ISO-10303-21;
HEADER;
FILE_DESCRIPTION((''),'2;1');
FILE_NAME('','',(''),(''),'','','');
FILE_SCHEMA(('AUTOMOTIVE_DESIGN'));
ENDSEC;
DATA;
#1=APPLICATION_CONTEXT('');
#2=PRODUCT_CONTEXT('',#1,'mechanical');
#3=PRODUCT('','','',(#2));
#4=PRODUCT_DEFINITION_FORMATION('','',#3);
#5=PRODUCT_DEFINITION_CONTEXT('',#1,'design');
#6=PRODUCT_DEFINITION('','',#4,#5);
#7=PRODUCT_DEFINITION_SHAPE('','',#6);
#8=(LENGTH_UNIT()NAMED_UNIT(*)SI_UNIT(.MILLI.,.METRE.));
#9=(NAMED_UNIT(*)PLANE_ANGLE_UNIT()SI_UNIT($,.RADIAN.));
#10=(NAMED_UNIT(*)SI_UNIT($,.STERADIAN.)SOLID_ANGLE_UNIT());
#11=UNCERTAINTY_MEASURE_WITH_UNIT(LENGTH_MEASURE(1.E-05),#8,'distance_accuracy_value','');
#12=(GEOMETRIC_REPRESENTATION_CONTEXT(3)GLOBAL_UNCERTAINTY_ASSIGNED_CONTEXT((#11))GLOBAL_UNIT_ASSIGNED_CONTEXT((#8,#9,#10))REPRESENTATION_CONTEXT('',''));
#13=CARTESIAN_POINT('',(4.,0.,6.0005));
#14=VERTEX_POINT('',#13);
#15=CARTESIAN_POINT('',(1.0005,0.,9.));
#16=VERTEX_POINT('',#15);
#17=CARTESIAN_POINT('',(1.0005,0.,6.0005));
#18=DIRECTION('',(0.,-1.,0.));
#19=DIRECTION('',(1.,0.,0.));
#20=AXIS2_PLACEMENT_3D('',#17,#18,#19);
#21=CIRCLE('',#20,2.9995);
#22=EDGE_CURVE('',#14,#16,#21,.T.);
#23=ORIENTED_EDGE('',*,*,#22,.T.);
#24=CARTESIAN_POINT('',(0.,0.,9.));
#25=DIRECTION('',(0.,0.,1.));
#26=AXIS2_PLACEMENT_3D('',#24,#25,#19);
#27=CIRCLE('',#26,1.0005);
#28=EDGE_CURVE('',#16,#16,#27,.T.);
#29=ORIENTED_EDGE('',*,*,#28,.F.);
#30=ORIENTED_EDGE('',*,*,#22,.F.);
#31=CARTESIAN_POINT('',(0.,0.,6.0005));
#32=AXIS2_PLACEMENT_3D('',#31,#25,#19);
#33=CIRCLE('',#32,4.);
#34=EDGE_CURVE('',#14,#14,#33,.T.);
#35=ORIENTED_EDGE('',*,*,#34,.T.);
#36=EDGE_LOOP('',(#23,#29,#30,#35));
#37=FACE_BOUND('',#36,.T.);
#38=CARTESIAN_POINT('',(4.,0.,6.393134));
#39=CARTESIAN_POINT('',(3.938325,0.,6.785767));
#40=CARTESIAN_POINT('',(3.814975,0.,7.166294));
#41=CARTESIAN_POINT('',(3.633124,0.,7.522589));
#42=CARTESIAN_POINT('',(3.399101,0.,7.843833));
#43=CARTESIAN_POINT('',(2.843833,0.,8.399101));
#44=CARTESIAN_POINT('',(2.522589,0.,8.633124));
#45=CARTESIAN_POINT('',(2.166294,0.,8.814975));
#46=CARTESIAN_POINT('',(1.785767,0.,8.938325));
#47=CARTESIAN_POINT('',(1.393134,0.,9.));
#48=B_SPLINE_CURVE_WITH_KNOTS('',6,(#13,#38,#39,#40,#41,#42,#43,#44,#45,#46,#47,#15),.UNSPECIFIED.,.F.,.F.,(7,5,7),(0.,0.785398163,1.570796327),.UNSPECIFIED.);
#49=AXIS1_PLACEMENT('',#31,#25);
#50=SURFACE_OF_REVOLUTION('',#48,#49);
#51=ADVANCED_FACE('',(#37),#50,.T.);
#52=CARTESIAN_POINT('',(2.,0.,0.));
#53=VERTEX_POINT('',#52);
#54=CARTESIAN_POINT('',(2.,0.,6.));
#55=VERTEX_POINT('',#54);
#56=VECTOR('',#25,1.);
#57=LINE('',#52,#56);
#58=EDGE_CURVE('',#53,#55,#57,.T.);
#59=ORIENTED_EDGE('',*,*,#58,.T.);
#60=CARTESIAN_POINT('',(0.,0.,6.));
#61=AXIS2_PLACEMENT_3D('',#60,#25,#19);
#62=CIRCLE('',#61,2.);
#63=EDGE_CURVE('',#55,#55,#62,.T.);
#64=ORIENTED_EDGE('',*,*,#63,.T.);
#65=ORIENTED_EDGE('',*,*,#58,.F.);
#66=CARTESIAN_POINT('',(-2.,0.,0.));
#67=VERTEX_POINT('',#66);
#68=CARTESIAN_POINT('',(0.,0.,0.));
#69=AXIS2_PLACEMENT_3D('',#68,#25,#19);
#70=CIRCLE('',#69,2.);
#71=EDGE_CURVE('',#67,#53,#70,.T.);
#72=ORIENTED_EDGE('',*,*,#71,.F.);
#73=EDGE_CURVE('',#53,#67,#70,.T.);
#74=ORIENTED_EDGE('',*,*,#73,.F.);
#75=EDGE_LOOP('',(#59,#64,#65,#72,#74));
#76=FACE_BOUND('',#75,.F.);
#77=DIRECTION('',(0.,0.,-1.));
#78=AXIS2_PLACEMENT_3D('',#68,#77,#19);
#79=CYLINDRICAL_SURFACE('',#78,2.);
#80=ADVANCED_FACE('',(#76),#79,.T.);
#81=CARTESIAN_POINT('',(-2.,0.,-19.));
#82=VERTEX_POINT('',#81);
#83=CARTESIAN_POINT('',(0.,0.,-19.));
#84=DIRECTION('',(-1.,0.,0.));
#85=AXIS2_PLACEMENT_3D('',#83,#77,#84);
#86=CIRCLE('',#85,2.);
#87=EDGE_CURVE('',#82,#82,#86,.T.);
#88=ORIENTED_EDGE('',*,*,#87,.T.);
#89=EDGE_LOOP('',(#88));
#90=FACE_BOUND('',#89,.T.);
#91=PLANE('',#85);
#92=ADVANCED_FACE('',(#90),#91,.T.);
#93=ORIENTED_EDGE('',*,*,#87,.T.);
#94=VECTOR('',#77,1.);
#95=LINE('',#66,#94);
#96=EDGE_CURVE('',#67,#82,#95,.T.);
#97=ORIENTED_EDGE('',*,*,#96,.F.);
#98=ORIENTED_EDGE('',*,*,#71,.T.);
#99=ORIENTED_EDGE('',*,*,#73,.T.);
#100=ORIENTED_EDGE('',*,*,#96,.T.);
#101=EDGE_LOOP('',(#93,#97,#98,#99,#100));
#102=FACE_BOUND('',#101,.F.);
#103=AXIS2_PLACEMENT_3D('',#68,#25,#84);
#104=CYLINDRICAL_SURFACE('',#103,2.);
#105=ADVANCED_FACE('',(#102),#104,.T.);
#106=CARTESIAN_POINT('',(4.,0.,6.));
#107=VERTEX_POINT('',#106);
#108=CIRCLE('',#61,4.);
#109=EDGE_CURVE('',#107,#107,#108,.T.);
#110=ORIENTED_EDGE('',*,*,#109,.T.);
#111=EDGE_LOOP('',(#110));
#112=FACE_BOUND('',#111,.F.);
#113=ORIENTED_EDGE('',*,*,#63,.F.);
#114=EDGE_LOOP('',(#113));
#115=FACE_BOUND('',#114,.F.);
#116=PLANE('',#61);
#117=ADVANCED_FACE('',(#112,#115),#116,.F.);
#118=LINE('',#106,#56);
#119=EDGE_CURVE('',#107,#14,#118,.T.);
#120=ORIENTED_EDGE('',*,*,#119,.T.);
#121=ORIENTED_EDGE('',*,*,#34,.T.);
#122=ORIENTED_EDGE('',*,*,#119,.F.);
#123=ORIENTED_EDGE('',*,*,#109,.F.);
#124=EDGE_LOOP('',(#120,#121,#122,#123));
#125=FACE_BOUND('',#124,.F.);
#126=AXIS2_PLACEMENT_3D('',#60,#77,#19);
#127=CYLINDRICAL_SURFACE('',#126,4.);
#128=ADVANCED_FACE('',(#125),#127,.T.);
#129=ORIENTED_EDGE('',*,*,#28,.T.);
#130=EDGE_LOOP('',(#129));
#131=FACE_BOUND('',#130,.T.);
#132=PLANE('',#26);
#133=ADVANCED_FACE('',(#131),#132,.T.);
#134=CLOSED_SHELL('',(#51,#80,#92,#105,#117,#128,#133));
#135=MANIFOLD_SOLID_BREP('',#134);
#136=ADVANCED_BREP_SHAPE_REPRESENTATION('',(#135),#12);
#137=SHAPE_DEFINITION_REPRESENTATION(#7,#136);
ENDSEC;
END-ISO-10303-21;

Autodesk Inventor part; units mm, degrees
ref_plane "YZ Plane" through (0, 0, 0) normal (1, 0, 0) x (0, 1, 0)
ref_plane "XZ Plane" through (0, 0, 0) normal (0, 1, 0) x (-1, 0, 0)
ref_plane "XY Plane" through (0, 0, 0) normal (0, 0, 1) x (1, 0, 0)
sketch "スケッチ1" plane through (0, 0, 0) normal (0, 0, 1) x (1, 0, 0)
  circle A0 centre (0, 0) radius 2
  dimension "d0" = 4
extrude "押し出し1" add sketch "スケッチ1" along normal blind 6
sketch "スケッチ2" plane through (0, 0, 6) normal (0, 0, 1) x (1, 0, 0)
  circle A0 centre (0, 0) radius 2 projected
  circle A1 centre (0, 0) radius 4
  dimension "d3" = 8
extrude "押し出し2" add sketch "スケッチ2" along normal blind 3 contours A0 | A1
fillet "フィレット1" radius 3 1 edges at (-4, 0, 9)
thread "ねじ1" size "M4x0.7" class "6g" standard "ANSI Metric M Profile" full length
sketch "スケッチ3" plane through (0, 0, 0) normal (0, 0, -1) x (-1, 0, 0)
  circle A0 centre (0, 0) radius 2
extrude "押し出し3" add sketch "スケッチ3" along normal blind 19
properties part number "SB　M4 25mm なべネジ" material "Stainless Steel, 440C"
